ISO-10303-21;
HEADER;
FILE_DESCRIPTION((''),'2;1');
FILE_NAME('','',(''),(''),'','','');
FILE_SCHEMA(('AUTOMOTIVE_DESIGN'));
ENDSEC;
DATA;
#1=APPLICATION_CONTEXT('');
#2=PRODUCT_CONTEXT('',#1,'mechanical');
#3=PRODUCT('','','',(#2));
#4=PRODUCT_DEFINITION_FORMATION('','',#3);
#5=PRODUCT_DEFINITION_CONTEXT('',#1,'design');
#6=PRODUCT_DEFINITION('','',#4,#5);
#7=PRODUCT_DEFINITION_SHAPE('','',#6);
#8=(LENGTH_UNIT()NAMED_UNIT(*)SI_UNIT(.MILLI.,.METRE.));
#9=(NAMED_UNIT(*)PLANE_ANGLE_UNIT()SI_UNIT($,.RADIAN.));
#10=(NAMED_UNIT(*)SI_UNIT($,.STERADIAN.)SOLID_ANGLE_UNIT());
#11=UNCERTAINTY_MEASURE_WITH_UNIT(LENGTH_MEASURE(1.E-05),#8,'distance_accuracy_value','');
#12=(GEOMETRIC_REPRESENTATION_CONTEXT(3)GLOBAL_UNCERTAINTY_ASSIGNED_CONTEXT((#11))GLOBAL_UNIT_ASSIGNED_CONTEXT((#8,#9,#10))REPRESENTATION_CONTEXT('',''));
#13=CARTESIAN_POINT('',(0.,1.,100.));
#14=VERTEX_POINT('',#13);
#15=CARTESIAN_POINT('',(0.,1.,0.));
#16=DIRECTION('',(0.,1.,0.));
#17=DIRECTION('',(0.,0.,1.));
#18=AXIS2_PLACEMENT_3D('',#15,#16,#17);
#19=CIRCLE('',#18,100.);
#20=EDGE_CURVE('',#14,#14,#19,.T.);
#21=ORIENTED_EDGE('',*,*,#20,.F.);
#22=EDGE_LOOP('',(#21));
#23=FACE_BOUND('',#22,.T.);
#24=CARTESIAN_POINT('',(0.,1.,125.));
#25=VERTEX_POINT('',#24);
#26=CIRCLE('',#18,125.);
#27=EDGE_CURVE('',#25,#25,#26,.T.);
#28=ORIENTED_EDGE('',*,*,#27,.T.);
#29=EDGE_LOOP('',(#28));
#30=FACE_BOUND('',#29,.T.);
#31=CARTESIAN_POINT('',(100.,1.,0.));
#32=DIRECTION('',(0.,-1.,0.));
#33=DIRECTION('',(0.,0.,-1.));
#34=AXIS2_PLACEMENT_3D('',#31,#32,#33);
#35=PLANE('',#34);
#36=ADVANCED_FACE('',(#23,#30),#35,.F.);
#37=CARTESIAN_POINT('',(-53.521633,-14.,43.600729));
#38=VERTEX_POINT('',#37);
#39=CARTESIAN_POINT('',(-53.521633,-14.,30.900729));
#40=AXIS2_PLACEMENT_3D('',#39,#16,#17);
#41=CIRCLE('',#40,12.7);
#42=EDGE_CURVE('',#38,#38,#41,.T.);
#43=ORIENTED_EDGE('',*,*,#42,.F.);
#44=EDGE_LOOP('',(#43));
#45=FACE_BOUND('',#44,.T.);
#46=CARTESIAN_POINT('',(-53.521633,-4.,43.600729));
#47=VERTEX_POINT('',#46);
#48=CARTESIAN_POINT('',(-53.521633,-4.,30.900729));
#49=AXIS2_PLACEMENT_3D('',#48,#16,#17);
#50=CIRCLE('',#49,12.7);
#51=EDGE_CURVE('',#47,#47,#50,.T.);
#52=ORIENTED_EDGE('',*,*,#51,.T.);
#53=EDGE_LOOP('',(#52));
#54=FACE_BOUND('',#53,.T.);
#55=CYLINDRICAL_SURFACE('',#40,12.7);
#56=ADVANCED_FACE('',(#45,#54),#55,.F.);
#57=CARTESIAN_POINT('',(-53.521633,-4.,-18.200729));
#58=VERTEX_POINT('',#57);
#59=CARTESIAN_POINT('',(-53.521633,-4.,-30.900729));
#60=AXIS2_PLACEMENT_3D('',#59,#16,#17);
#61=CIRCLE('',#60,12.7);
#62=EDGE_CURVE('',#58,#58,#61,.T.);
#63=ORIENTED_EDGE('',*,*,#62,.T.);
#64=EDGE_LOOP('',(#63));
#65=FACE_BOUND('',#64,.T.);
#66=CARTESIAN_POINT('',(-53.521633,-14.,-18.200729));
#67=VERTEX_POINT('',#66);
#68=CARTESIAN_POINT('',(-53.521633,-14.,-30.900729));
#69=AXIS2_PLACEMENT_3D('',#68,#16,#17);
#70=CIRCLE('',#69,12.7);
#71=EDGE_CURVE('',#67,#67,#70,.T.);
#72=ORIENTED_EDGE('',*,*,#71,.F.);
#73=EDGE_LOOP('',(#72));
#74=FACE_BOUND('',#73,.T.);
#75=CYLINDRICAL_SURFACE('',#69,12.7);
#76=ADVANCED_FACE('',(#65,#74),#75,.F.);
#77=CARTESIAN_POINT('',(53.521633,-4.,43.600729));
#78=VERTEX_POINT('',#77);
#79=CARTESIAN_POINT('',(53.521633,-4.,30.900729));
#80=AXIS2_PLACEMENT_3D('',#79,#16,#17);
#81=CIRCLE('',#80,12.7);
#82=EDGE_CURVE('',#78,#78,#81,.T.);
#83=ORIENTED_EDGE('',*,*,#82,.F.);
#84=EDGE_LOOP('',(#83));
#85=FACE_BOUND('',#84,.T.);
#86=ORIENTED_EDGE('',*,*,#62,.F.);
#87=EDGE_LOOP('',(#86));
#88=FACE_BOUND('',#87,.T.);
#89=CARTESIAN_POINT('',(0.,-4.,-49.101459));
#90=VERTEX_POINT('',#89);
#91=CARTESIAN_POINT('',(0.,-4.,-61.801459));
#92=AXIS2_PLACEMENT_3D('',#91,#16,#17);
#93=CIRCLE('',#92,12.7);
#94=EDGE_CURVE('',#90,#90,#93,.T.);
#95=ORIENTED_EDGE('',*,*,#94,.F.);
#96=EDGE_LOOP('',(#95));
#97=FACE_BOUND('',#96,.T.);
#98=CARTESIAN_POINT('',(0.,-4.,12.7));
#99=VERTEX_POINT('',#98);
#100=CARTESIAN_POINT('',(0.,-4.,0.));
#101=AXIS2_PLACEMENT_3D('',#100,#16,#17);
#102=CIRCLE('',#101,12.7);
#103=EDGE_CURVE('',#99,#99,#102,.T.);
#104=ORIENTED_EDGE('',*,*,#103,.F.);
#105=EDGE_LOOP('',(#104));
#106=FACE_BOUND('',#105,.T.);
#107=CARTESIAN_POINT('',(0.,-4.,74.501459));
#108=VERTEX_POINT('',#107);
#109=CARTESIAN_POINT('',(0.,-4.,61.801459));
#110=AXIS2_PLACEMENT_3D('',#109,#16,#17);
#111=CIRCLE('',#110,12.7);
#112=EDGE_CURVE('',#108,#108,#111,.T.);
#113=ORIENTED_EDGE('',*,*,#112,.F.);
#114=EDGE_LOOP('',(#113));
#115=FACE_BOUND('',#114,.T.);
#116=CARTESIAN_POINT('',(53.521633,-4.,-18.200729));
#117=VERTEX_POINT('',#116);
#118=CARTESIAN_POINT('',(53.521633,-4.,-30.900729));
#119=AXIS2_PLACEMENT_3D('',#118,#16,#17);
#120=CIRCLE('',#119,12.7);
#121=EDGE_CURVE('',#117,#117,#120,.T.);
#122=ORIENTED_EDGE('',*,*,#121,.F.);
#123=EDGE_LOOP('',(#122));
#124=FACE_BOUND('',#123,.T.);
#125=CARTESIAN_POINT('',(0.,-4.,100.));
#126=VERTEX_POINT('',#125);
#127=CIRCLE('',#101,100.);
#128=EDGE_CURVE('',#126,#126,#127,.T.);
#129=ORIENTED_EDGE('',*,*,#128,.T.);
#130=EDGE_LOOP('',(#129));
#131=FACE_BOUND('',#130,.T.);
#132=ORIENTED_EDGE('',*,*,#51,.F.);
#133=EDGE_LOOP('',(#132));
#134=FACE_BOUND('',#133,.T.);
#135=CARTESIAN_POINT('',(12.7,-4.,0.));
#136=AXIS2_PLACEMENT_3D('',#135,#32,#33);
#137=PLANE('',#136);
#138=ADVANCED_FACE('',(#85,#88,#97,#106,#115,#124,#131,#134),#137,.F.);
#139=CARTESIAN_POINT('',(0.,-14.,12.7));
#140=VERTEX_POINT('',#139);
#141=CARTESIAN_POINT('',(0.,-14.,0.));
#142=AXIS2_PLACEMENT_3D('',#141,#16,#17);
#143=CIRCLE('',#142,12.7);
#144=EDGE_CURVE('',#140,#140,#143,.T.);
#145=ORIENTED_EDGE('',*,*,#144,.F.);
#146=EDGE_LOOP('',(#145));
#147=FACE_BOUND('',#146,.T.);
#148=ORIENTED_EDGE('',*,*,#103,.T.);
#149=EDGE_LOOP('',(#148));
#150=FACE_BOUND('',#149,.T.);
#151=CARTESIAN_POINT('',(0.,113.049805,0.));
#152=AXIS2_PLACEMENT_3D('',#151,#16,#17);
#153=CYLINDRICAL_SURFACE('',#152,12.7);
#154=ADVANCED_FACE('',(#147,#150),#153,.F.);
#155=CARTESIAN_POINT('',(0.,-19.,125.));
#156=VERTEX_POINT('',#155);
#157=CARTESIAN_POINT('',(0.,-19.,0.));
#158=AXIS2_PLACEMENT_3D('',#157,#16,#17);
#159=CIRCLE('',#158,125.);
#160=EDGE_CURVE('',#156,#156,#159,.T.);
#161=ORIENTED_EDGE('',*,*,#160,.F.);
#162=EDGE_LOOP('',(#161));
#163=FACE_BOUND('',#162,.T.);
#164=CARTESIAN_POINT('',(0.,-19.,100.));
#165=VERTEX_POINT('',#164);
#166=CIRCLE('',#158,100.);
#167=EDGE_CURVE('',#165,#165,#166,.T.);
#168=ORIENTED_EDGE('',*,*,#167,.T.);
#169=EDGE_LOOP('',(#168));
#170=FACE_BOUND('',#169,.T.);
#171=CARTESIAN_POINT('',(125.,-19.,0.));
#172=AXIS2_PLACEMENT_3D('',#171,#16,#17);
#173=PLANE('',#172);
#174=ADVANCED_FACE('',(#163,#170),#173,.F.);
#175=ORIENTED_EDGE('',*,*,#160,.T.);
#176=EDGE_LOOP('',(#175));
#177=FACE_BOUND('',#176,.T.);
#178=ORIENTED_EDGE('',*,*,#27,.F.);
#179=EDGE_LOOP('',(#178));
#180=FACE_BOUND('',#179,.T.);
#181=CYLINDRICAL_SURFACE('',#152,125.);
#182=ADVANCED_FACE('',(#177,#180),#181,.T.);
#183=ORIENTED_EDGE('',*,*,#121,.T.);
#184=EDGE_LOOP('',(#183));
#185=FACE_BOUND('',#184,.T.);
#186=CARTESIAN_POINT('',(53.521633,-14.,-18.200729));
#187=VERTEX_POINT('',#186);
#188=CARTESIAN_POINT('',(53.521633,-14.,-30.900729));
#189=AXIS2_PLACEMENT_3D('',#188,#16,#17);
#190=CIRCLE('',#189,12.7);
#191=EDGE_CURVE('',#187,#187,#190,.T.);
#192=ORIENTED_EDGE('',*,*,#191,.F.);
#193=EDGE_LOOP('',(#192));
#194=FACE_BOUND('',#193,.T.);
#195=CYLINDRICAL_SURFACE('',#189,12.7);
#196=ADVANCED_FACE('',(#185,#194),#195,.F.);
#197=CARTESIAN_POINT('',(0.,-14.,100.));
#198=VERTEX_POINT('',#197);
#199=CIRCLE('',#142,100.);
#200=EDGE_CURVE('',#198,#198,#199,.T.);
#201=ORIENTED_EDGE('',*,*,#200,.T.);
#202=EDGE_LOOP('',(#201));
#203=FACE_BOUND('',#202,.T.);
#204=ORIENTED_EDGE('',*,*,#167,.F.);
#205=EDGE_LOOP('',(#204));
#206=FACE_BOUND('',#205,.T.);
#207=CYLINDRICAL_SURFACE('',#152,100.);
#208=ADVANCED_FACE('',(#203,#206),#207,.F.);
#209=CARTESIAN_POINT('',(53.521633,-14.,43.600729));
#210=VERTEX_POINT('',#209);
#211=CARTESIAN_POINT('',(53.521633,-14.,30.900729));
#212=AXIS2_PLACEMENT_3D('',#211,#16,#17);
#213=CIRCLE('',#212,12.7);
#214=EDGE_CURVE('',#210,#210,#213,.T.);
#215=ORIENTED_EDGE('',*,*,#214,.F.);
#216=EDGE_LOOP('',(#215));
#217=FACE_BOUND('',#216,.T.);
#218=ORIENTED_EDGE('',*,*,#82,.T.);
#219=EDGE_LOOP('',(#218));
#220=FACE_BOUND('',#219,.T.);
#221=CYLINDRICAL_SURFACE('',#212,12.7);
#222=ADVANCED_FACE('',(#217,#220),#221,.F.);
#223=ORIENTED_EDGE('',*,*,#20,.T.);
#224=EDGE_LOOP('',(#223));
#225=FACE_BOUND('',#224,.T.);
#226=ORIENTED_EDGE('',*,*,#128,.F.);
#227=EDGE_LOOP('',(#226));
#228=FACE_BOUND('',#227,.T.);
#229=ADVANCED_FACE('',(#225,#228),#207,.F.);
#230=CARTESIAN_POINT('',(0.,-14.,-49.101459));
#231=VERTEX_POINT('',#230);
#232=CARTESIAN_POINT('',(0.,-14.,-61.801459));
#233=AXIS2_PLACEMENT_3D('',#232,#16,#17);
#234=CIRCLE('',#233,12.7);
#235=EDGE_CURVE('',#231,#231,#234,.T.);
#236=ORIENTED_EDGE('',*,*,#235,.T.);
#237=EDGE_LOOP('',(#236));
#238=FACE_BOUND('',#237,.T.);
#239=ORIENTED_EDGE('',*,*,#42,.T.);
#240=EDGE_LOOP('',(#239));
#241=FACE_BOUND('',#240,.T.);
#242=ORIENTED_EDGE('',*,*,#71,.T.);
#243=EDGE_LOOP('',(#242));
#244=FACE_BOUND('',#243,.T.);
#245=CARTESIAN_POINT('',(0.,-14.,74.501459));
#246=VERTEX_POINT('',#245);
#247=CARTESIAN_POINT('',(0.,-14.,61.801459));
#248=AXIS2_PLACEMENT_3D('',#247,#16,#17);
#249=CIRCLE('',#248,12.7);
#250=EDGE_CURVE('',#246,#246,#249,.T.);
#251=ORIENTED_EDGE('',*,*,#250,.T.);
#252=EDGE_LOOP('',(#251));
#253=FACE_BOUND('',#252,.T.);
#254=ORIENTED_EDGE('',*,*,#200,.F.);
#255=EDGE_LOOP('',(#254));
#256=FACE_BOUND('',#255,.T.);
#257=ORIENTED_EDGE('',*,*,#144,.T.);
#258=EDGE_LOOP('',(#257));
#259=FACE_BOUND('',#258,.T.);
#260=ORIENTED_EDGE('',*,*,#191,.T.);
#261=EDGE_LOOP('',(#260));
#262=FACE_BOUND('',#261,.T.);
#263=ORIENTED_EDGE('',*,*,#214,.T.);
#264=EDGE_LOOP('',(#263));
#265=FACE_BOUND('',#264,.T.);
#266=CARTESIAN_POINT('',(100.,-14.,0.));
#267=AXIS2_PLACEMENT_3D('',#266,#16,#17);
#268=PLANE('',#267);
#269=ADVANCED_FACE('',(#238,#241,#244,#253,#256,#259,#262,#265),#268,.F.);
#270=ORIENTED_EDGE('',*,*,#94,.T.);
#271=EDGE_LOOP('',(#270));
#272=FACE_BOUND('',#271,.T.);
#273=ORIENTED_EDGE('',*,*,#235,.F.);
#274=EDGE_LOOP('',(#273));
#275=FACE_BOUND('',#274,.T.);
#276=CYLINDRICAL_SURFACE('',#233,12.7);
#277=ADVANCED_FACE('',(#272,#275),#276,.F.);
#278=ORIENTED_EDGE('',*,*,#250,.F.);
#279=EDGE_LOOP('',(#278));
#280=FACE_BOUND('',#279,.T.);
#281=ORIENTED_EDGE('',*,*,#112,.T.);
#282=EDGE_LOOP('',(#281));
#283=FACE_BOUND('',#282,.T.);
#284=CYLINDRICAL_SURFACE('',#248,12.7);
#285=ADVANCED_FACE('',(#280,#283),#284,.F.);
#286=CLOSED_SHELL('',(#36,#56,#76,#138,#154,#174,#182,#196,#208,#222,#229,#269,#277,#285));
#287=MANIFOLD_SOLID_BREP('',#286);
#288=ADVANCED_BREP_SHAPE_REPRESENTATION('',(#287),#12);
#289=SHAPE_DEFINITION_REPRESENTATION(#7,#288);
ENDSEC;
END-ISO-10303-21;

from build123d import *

# Parameters (mm, degrees)
SKETCH2_R          = 12.7
CUT_EXTRUDE1_DEPTH = 10


with BuildPart() as part:
    # Sketch1 → Revolve1 (revolve)
    with BuildSketch(Plane.XY, mode=Mode.PRIVATE) as revolve1_sk:
        Polygon((12.7, -4), (100, -4), (100, 1), (125, 1), (125, -19), (100, -19), (100, -14), (12.7, -14), align=None)
    revolve(revolve1_sk.sketch.rotate(Axis((0, 113.049804917, 0), (0, -1, 0)), 90), axis=Axis((0, 113.049804917, 0), (0, -1, 0)))

    # Sketch2 → Cut-Extrude1 (cut)
    with BuildSketch(Plane(origin=(0, -4, 0), x_dir=(1, 0, 0), z_dir=(0, 1, 0))):
        with Locations(Location((0, 61.801458798, 0), (0, 0, 270))):
            Circle(SKETCH2_R)
        with Locations(Location((53.52163331, 30.900729399, 0), (0, 0, 270))):
            Circle(SKETCH2_R)
        with Locations(Location((53.52163331, -30.900729399, 0), (0, 0, 270))):
            Circle(SKETCH2_R)
        with Locations(Location((0, -61.801458798, 0), (0, 0, 270))):
            Circle(SKETCH2_R)
        with Locations(Location((-53.52163331, -30.900729399, 0), (0, 0, 270))):
            Circle(SKETCH2_R)
        with Locations(Location((-53.52163331, 30.900729399, 0), (0, 0, 270))):
            Circle(SKETCH2_R)
    extrude(amount=-CUT_EXTRUDE1_DEPTH, mode=Mode.SUBTRACT)


solid = part.part
